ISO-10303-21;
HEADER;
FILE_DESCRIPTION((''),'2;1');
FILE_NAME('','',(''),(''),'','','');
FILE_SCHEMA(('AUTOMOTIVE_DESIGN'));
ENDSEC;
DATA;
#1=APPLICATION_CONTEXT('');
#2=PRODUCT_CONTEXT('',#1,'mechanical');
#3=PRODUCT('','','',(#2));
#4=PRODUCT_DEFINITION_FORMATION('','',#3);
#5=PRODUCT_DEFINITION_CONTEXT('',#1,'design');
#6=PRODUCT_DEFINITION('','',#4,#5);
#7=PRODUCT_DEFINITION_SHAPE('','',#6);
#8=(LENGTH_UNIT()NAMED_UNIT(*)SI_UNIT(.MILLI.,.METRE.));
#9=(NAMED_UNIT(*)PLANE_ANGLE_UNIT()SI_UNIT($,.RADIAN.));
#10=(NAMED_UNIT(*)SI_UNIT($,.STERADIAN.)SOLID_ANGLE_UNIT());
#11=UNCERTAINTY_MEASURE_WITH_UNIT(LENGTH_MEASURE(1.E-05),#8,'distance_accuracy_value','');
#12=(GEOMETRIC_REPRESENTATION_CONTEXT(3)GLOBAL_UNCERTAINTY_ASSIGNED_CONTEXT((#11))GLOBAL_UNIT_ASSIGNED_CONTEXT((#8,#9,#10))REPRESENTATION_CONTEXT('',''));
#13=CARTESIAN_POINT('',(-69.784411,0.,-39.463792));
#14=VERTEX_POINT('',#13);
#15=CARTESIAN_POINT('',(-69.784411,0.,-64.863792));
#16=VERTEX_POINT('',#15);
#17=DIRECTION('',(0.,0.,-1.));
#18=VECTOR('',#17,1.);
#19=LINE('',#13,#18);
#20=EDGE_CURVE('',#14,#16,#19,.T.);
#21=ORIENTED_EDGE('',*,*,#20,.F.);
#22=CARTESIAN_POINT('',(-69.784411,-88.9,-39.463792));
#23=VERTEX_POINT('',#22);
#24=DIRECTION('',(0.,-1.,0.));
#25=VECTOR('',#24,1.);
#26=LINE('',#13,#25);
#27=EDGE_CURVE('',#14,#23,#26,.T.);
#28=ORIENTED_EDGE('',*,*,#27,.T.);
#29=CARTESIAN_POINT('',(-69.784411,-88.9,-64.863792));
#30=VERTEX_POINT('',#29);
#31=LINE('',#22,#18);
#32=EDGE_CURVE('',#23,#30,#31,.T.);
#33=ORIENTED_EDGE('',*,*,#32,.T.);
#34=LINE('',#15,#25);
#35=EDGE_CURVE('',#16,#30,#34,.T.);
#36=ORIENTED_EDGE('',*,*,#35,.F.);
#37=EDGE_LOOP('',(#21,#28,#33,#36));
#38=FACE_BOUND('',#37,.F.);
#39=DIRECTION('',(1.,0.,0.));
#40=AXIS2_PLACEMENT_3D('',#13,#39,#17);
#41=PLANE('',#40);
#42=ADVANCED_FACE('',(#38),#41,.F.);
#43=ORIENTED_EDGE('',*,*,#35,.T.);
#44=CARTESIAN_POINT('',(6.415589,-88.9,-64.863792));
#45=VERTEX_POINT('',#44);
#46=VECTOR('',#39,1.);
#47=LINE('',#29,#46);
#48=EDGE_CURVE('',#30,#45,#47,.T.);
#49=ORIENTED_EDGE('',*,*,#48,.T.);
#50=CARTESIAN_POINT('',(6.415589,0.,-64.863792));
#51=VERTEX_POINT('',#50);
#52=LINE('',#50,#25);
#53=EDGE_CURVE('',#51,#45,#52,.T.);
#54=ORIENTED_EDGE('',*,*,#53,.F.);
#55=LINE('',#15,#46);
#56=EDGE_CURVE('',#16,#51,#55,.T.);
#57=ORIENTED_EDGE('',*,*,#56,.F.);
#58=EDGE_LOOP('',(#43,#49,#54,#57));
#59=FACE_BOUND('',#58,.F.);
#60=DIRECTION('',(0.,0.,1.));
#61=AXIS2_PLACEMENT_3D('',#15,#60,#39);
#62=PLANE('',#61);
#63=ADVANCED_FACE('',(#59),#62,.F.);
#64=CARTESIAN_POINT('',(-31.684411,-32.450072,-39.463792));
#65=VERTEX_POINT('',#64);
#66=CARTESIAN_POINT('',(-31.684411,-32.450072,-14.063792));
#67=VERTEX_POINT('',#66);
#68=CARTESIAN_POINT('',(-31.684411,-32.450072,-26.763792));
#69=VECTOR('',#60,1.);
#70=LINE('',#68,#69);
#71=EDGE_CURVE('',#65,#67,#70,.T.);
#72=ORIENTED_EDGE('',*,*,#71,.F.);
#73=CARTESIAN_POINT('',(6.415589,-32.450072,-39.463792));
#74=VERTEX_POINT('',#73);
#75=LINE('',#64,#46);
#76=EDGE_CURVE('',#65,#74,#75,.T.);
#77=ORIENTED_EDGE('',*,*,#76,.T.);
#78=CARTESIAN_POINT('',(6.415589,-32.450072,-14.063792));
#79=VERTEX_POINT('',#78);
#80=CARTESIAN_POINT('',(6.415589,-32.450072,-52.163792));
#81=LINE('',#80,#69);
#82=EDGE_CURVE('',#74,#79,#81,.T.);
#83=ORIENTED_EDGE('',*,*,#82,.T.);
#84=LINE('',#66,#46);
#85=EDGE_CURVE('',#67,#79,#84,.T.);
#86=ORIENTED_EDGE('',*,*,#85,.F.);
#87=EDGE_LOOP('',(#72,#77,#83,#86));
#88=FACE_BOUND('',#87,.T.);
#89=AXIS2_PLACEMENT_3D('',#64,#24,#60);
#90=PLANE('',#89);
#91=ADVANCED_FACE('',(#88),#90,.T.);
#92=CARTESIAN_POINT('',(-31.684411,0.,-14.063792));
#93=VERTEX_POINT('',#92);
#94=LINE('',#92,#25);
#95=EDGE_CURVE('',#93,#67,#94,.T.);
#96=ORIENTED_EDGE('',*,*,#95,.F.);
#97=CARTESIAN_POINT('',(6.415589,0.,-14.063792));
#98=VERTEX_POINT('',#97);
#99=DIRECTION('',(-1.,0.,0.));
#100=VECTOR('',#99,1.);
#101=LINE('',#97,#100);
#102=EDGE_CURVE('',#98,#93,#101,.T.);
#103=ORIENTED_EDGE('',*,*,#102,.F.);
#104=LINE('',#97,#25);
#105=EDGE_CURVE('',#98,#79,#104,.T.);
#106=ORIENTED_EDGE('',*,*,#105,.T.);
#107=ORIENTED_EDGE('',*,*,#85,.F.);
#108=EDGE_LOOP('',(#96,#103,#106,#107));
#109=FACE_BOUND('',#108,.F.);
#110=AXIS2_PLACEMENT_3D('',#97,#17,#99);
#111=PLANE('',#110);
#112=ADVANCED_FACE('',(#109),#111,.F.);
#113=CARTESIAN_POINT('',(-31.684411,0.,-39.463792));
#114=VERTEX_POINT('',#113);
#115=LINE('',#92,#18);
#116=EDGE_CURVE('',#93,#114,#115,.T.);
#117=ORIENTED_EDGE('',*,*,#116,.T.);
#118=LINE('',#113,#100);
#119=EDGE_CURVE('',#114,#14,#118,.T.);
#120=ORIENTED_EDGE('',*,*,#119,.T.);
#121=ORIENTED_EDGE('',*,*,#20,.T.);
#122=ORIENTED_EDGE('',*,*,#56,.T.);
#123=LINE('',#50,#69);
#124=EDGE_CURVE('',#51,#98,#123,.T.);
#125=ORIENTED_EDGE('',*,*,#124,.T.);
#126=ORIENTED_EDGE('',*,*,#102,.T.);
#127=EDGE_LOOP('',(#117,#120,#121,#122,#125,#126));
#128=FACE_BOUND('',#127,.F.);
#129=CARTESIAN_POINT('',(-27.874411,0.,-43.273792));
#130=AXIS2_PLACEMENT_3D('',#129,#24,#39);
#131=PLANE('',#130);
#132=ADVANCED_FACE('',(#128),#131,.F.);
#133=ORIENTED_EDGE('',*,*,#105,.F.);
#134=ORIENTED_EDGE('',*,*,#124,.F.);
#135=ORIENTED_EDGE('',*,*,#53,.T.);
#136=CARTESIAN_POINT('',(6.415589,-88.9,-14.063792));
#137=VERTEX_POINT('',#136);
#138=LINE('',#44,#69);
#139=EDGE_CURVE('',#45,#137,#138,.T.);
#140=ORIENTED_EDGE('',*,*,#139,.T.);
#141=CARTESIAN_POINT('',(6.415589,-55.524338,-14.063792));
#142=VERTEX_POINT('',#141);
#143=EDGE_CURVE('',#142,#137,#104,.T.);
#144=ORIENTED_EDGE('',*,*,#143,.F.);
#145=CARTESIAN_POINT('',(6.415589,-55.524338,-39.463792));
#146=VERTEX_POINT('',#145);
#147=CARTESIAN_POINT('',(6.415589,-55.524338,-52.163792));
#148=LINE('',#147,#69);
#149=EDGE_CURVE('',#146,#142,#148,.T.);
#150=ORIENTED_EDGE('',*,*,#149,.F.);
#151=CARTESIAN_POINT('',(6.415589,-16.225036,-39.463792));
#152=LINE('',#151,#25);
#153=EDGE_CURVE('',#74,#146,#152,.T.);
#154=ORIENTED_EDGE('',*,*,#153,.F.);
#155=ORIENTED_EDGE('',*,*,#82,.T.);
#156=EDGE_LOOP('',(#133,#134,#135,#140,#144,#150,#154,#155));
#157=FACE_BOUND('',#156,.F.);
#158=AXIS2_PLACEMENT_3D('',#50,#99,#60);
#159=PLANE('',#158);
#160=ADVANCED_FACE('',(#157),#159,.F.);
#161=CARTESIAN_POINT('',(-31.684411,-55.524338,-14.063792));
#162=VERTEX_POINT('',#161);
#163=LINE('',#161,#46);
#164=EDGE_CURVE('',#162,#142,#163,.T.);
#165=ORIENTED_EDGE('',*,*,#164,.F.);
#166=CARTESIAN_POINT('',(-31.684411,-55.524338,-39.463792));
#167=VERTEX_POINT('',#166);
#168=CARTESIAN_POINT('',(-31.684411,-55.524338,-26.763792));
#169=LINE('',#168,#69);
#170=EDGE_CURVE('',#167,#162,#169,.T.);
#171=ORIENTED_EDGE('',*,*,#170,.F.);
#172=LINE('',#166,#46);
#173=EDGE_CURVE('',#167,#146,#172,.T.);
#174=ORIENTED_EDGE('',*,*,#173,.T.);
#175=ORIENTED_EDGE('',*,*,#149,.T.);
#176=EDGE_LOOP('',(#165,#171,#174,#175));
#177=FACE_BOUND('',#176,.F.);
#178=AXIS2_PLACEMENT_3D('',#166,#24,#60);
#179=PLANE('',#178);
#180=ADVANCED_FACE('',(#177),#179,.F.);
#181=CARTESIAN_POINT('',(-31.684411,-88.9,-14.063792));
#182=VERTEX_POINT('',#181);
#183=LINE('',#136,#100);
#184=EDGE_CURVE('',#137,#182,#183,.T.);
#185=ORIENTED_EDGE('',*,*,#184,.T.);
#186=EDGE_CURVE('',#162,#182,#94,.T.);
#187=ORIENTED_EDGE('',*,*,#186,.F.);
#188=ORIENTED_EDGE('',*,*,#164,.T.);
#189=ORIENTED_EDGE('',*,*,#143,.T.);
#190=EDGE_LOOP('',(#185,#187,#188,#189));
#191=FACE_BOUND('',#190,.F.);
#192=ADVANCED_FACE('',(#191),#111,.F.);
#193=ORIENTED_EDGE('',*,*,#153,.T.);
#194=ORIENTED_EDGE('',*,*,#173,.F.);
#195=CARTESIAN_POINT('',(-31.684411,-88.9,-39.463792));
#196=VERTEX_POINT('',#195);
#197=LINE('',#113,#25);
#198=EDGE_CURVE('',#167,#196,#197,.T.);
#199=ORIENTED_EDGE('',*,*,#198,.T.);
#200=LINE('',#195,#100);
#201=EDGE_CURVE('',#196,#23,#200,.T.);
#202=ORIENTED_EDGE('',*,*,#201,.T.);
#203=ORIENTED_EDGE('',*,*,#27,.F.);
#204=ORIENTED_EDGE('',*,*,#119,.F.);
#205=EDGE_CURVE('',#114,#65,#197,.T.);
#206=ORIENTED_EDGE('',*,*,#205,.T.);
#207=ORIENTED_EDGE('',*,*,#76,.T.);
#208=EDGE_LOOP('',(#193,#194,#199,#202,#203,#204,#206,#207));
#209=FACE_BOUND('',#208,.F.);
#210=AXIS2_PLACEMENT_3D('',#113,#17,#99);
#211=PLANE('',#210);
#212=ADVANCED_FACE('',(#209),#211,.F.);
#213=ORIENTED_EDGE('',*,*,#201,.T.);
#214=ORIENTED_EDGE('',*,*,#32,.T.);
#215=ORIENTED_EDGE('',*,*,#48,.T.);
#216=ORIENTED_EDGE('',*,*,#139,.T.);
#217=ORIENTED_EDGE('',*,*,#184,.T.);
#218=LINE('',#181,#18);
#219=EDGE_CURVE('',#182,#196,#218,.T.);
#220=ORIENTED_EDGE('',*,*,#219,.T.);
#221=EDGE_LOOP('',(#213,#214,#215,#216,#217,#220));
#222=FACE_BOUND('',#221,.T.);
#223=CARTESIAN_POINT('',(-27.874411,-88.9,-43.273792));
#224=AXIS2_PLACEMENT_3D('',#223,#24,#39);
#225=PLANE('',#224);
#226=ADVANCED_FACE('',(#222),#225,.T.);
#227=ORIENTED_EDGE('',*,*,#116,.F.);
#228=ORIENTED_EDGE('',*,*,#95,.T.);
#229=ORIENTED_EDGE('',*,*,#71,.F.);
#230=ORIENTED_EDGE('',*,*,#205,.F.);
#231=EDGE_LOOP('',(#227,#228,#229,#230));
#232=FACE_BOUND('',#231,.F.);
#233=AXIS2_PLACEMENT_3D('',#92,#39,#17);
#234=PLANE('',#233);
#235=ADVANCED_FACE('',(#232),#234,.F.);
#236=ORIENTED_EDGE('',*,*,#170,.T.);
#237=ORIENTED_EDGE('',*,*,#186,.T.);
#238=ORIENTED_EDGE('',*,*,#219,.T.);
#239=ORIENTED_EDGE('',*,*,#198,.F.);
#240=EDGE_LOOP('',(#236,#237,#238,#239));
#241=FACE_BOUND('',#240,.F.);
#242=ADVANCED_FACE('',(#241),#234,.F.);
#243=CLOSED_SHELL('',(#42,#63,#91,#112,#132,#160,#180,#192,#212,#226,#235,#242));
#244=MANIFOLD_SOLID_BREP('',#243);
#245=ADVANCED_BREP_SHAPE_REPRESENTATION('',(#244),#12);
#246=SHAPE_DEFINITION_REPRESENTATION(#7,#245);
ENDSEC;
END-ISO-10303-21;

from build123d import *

# Parameters (mm, degrees)
F1_DEPTH = 88.9
F2_W     = 23.074266
F2_H     = 25.4
F3_DEPTH = 38.101


with BuildPart() as f1:
    # F0 (on Front) → F1 (new body)
    with BuildSketch(Plane.XZ):
        Polygon((-69.784411, -39.463792), (-69.784411, -64.863792), (6.415589, -64.863792), (6.415589, -14.063792), (-31.684411, -14.063792), (-31.684411, -39.463792), align=None)
    extrude(amount=F1_DEPTH)

    # F2 (on face) → F3 (cut, through all)
    with BuildSketch(Plane(origin=(-31.684411, 0, 0), x_dir=(0, -1, 0), z_dir=(-1, 0, 0))):
        with Locations((43.987205, -26.763792)):
            Rectangle(F2_W, F2_H)
    extrude(amount=-F3_DEPTH, mode=Mode.SUBTRACT)


solid = f1.part
